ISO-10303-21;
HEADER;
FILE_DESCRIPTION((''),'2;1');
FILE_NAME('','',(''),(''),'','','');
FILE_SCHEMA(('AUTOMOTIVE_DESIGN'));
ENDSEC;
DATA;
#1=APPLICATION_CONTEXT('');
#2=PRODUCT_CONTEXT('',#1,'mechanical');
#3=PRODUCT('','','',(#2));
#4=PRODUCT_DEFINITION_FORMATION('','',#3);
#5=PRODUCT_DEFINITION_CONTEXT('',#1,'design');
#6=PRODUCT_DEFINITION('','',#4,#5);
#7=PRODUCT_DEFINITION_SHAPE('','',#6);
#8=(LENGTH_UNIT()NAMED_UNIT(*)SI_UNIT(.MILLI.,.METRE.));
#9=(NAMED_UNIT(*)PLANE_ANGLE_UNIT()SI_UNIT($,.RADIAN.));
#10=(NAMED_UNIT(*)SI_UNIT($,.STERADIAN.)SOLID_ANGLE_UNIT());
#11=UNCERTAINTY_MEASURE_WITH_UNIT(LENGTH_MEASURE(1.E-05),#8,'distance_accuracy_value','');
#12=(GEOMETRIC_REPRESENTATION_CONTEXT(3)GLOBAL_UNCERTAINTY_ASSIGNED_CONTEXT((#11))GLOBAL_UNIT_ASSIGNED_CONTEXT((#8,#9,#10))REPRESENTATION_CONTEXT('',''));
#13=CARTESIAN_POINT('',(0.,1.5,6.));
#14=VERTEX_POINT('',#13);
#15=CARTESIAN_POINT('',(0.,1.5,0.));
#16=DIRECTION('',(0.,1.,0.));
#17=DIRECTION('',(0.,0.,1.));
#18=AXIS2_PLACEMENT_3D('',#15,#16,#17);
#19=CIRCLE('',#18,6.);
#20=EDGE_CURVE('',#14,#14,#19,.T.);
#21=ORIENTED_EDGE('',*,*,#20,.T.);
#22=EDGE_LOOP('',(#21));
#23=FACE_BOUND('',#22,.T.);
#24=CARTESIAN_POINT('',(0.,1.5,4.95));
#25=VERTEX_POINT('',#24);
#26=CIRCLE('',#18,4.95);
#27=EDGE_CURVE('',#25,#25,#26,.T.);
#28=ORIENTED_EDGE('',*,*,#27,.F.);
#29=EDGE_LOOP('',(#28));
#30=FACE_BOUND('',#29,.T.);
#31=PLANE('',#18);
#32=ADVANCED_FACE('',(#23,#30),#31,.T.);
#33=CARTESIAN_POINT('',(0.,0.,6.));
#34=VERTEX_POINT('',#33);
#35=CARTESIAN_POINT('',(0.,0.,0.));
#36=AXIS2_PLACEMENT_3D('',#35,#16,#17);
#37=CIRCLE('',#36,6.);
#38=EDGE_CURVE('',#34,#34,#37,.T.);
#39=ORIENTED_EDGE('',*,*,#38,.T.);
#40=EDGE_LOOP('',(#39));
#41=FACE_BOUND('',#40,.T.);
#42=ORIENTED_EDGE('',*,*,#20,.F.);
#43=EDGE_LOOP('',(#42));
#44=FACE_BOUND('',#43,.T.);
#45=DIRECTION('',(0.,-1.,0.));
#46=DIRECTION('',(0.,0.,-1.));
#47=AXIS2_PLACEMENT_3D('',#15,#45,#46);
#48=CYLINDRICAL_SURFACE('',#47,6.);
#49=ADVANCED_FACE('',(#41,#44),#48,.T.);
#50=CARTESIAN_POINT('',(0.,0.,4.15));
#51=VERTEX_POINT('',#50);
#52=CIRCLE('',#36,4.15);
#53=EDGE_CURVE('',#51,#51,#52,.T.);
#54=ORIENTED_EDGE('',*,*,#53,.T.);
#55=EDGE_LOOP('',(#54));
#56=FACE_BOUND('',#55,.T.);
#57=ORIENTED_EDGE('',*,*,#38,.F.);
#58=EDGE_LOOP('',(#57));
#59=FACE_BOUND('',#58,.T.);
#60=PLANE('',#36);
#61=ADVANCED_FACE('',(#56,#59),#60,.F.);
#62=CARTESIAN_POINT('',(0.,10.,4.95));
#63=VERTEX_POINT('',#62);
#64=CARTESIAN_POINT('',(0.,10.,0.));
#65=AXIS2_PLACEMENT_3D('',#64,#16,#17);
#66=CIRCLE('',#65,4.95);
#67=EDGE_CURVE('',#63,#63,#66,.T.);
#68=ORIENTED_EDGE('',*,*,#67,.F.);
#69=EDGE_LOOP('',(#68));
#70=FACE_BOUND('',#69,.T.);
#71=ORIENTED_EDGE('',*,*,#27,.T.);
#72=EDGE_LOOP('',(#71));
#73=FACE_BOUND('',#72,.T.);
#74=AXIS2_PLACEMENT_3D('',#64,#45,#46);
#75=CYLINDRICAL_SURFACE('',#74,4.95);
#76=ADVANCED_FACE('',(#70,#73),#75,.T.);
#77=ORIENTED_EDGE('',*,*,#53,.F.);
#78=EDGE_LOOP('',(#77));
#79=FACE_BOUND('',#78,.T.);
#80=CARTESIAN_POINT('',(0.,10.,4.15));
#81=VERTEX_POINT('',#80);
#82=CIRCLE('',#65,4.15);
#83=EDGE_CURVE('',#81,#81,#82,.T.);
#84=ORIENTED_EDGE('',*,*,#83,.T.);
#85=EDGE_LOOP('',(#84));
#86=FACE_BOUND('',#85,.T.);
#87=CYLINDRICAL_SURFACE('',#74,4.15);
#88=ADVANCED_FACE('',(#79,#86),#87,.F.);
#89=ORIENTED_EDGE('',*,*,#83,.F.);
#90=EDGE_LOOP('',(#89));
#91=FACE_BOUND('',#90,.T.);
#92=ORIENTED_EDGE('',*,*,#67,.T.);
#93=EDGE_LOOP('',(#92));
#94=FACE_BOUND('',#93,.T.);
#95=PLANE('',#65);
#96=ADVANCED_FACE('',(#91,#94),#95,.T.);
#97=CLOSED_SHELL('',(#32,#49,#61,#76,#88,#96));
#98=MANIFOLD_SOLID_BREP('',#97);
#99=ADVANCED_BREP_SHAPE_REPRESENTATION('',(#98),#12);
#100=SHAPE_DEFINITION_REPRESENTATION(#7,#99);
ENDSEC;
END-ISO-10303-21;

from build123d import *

# Parameters (mm, degrees)
CROQUIS1_R              = 4.95
CROQUIS1_R_2            = 4.15
SALIENTE_EXTRUIR1_DEPTH = 10
CROQUIS1_3_R            = 6
CROQUIS1_3_R_2          = 4.95
SALIENTE_EXTRUIR2_DEPTH = 1.5


with BuildPart() as part:
    # Croquis1 → Saliente-Extruir1 (new body)
    with BuildSketch(Plane(origin=(0, 0, 0), x_dir=(1, 0, 0), z_dir=(0, 1, 0))):
        Circle(CROQUIS1_R)
        Circle(CROQUIS1_R_2, mode=Mode.SUBTRACT)
    extrude(amount=SALIENTE_EXTRUIR1_DEPTH)

    # Croquis1<3> → Saliente-Extruir2 (add)
    with BuildSketch(Plane(origin=(0, 0, 0), x_dir=(1, 0, 0), z_dir=(0, 1, 0))):
        Circle(CROQUIS1_3_R)
        Circle(CROQUIS1_3_R_2, mode=Mode.SUBTRACT)
    extrude(amount=SALIENTE_EXTRUIR2_DEPTH)


solid = part.part
